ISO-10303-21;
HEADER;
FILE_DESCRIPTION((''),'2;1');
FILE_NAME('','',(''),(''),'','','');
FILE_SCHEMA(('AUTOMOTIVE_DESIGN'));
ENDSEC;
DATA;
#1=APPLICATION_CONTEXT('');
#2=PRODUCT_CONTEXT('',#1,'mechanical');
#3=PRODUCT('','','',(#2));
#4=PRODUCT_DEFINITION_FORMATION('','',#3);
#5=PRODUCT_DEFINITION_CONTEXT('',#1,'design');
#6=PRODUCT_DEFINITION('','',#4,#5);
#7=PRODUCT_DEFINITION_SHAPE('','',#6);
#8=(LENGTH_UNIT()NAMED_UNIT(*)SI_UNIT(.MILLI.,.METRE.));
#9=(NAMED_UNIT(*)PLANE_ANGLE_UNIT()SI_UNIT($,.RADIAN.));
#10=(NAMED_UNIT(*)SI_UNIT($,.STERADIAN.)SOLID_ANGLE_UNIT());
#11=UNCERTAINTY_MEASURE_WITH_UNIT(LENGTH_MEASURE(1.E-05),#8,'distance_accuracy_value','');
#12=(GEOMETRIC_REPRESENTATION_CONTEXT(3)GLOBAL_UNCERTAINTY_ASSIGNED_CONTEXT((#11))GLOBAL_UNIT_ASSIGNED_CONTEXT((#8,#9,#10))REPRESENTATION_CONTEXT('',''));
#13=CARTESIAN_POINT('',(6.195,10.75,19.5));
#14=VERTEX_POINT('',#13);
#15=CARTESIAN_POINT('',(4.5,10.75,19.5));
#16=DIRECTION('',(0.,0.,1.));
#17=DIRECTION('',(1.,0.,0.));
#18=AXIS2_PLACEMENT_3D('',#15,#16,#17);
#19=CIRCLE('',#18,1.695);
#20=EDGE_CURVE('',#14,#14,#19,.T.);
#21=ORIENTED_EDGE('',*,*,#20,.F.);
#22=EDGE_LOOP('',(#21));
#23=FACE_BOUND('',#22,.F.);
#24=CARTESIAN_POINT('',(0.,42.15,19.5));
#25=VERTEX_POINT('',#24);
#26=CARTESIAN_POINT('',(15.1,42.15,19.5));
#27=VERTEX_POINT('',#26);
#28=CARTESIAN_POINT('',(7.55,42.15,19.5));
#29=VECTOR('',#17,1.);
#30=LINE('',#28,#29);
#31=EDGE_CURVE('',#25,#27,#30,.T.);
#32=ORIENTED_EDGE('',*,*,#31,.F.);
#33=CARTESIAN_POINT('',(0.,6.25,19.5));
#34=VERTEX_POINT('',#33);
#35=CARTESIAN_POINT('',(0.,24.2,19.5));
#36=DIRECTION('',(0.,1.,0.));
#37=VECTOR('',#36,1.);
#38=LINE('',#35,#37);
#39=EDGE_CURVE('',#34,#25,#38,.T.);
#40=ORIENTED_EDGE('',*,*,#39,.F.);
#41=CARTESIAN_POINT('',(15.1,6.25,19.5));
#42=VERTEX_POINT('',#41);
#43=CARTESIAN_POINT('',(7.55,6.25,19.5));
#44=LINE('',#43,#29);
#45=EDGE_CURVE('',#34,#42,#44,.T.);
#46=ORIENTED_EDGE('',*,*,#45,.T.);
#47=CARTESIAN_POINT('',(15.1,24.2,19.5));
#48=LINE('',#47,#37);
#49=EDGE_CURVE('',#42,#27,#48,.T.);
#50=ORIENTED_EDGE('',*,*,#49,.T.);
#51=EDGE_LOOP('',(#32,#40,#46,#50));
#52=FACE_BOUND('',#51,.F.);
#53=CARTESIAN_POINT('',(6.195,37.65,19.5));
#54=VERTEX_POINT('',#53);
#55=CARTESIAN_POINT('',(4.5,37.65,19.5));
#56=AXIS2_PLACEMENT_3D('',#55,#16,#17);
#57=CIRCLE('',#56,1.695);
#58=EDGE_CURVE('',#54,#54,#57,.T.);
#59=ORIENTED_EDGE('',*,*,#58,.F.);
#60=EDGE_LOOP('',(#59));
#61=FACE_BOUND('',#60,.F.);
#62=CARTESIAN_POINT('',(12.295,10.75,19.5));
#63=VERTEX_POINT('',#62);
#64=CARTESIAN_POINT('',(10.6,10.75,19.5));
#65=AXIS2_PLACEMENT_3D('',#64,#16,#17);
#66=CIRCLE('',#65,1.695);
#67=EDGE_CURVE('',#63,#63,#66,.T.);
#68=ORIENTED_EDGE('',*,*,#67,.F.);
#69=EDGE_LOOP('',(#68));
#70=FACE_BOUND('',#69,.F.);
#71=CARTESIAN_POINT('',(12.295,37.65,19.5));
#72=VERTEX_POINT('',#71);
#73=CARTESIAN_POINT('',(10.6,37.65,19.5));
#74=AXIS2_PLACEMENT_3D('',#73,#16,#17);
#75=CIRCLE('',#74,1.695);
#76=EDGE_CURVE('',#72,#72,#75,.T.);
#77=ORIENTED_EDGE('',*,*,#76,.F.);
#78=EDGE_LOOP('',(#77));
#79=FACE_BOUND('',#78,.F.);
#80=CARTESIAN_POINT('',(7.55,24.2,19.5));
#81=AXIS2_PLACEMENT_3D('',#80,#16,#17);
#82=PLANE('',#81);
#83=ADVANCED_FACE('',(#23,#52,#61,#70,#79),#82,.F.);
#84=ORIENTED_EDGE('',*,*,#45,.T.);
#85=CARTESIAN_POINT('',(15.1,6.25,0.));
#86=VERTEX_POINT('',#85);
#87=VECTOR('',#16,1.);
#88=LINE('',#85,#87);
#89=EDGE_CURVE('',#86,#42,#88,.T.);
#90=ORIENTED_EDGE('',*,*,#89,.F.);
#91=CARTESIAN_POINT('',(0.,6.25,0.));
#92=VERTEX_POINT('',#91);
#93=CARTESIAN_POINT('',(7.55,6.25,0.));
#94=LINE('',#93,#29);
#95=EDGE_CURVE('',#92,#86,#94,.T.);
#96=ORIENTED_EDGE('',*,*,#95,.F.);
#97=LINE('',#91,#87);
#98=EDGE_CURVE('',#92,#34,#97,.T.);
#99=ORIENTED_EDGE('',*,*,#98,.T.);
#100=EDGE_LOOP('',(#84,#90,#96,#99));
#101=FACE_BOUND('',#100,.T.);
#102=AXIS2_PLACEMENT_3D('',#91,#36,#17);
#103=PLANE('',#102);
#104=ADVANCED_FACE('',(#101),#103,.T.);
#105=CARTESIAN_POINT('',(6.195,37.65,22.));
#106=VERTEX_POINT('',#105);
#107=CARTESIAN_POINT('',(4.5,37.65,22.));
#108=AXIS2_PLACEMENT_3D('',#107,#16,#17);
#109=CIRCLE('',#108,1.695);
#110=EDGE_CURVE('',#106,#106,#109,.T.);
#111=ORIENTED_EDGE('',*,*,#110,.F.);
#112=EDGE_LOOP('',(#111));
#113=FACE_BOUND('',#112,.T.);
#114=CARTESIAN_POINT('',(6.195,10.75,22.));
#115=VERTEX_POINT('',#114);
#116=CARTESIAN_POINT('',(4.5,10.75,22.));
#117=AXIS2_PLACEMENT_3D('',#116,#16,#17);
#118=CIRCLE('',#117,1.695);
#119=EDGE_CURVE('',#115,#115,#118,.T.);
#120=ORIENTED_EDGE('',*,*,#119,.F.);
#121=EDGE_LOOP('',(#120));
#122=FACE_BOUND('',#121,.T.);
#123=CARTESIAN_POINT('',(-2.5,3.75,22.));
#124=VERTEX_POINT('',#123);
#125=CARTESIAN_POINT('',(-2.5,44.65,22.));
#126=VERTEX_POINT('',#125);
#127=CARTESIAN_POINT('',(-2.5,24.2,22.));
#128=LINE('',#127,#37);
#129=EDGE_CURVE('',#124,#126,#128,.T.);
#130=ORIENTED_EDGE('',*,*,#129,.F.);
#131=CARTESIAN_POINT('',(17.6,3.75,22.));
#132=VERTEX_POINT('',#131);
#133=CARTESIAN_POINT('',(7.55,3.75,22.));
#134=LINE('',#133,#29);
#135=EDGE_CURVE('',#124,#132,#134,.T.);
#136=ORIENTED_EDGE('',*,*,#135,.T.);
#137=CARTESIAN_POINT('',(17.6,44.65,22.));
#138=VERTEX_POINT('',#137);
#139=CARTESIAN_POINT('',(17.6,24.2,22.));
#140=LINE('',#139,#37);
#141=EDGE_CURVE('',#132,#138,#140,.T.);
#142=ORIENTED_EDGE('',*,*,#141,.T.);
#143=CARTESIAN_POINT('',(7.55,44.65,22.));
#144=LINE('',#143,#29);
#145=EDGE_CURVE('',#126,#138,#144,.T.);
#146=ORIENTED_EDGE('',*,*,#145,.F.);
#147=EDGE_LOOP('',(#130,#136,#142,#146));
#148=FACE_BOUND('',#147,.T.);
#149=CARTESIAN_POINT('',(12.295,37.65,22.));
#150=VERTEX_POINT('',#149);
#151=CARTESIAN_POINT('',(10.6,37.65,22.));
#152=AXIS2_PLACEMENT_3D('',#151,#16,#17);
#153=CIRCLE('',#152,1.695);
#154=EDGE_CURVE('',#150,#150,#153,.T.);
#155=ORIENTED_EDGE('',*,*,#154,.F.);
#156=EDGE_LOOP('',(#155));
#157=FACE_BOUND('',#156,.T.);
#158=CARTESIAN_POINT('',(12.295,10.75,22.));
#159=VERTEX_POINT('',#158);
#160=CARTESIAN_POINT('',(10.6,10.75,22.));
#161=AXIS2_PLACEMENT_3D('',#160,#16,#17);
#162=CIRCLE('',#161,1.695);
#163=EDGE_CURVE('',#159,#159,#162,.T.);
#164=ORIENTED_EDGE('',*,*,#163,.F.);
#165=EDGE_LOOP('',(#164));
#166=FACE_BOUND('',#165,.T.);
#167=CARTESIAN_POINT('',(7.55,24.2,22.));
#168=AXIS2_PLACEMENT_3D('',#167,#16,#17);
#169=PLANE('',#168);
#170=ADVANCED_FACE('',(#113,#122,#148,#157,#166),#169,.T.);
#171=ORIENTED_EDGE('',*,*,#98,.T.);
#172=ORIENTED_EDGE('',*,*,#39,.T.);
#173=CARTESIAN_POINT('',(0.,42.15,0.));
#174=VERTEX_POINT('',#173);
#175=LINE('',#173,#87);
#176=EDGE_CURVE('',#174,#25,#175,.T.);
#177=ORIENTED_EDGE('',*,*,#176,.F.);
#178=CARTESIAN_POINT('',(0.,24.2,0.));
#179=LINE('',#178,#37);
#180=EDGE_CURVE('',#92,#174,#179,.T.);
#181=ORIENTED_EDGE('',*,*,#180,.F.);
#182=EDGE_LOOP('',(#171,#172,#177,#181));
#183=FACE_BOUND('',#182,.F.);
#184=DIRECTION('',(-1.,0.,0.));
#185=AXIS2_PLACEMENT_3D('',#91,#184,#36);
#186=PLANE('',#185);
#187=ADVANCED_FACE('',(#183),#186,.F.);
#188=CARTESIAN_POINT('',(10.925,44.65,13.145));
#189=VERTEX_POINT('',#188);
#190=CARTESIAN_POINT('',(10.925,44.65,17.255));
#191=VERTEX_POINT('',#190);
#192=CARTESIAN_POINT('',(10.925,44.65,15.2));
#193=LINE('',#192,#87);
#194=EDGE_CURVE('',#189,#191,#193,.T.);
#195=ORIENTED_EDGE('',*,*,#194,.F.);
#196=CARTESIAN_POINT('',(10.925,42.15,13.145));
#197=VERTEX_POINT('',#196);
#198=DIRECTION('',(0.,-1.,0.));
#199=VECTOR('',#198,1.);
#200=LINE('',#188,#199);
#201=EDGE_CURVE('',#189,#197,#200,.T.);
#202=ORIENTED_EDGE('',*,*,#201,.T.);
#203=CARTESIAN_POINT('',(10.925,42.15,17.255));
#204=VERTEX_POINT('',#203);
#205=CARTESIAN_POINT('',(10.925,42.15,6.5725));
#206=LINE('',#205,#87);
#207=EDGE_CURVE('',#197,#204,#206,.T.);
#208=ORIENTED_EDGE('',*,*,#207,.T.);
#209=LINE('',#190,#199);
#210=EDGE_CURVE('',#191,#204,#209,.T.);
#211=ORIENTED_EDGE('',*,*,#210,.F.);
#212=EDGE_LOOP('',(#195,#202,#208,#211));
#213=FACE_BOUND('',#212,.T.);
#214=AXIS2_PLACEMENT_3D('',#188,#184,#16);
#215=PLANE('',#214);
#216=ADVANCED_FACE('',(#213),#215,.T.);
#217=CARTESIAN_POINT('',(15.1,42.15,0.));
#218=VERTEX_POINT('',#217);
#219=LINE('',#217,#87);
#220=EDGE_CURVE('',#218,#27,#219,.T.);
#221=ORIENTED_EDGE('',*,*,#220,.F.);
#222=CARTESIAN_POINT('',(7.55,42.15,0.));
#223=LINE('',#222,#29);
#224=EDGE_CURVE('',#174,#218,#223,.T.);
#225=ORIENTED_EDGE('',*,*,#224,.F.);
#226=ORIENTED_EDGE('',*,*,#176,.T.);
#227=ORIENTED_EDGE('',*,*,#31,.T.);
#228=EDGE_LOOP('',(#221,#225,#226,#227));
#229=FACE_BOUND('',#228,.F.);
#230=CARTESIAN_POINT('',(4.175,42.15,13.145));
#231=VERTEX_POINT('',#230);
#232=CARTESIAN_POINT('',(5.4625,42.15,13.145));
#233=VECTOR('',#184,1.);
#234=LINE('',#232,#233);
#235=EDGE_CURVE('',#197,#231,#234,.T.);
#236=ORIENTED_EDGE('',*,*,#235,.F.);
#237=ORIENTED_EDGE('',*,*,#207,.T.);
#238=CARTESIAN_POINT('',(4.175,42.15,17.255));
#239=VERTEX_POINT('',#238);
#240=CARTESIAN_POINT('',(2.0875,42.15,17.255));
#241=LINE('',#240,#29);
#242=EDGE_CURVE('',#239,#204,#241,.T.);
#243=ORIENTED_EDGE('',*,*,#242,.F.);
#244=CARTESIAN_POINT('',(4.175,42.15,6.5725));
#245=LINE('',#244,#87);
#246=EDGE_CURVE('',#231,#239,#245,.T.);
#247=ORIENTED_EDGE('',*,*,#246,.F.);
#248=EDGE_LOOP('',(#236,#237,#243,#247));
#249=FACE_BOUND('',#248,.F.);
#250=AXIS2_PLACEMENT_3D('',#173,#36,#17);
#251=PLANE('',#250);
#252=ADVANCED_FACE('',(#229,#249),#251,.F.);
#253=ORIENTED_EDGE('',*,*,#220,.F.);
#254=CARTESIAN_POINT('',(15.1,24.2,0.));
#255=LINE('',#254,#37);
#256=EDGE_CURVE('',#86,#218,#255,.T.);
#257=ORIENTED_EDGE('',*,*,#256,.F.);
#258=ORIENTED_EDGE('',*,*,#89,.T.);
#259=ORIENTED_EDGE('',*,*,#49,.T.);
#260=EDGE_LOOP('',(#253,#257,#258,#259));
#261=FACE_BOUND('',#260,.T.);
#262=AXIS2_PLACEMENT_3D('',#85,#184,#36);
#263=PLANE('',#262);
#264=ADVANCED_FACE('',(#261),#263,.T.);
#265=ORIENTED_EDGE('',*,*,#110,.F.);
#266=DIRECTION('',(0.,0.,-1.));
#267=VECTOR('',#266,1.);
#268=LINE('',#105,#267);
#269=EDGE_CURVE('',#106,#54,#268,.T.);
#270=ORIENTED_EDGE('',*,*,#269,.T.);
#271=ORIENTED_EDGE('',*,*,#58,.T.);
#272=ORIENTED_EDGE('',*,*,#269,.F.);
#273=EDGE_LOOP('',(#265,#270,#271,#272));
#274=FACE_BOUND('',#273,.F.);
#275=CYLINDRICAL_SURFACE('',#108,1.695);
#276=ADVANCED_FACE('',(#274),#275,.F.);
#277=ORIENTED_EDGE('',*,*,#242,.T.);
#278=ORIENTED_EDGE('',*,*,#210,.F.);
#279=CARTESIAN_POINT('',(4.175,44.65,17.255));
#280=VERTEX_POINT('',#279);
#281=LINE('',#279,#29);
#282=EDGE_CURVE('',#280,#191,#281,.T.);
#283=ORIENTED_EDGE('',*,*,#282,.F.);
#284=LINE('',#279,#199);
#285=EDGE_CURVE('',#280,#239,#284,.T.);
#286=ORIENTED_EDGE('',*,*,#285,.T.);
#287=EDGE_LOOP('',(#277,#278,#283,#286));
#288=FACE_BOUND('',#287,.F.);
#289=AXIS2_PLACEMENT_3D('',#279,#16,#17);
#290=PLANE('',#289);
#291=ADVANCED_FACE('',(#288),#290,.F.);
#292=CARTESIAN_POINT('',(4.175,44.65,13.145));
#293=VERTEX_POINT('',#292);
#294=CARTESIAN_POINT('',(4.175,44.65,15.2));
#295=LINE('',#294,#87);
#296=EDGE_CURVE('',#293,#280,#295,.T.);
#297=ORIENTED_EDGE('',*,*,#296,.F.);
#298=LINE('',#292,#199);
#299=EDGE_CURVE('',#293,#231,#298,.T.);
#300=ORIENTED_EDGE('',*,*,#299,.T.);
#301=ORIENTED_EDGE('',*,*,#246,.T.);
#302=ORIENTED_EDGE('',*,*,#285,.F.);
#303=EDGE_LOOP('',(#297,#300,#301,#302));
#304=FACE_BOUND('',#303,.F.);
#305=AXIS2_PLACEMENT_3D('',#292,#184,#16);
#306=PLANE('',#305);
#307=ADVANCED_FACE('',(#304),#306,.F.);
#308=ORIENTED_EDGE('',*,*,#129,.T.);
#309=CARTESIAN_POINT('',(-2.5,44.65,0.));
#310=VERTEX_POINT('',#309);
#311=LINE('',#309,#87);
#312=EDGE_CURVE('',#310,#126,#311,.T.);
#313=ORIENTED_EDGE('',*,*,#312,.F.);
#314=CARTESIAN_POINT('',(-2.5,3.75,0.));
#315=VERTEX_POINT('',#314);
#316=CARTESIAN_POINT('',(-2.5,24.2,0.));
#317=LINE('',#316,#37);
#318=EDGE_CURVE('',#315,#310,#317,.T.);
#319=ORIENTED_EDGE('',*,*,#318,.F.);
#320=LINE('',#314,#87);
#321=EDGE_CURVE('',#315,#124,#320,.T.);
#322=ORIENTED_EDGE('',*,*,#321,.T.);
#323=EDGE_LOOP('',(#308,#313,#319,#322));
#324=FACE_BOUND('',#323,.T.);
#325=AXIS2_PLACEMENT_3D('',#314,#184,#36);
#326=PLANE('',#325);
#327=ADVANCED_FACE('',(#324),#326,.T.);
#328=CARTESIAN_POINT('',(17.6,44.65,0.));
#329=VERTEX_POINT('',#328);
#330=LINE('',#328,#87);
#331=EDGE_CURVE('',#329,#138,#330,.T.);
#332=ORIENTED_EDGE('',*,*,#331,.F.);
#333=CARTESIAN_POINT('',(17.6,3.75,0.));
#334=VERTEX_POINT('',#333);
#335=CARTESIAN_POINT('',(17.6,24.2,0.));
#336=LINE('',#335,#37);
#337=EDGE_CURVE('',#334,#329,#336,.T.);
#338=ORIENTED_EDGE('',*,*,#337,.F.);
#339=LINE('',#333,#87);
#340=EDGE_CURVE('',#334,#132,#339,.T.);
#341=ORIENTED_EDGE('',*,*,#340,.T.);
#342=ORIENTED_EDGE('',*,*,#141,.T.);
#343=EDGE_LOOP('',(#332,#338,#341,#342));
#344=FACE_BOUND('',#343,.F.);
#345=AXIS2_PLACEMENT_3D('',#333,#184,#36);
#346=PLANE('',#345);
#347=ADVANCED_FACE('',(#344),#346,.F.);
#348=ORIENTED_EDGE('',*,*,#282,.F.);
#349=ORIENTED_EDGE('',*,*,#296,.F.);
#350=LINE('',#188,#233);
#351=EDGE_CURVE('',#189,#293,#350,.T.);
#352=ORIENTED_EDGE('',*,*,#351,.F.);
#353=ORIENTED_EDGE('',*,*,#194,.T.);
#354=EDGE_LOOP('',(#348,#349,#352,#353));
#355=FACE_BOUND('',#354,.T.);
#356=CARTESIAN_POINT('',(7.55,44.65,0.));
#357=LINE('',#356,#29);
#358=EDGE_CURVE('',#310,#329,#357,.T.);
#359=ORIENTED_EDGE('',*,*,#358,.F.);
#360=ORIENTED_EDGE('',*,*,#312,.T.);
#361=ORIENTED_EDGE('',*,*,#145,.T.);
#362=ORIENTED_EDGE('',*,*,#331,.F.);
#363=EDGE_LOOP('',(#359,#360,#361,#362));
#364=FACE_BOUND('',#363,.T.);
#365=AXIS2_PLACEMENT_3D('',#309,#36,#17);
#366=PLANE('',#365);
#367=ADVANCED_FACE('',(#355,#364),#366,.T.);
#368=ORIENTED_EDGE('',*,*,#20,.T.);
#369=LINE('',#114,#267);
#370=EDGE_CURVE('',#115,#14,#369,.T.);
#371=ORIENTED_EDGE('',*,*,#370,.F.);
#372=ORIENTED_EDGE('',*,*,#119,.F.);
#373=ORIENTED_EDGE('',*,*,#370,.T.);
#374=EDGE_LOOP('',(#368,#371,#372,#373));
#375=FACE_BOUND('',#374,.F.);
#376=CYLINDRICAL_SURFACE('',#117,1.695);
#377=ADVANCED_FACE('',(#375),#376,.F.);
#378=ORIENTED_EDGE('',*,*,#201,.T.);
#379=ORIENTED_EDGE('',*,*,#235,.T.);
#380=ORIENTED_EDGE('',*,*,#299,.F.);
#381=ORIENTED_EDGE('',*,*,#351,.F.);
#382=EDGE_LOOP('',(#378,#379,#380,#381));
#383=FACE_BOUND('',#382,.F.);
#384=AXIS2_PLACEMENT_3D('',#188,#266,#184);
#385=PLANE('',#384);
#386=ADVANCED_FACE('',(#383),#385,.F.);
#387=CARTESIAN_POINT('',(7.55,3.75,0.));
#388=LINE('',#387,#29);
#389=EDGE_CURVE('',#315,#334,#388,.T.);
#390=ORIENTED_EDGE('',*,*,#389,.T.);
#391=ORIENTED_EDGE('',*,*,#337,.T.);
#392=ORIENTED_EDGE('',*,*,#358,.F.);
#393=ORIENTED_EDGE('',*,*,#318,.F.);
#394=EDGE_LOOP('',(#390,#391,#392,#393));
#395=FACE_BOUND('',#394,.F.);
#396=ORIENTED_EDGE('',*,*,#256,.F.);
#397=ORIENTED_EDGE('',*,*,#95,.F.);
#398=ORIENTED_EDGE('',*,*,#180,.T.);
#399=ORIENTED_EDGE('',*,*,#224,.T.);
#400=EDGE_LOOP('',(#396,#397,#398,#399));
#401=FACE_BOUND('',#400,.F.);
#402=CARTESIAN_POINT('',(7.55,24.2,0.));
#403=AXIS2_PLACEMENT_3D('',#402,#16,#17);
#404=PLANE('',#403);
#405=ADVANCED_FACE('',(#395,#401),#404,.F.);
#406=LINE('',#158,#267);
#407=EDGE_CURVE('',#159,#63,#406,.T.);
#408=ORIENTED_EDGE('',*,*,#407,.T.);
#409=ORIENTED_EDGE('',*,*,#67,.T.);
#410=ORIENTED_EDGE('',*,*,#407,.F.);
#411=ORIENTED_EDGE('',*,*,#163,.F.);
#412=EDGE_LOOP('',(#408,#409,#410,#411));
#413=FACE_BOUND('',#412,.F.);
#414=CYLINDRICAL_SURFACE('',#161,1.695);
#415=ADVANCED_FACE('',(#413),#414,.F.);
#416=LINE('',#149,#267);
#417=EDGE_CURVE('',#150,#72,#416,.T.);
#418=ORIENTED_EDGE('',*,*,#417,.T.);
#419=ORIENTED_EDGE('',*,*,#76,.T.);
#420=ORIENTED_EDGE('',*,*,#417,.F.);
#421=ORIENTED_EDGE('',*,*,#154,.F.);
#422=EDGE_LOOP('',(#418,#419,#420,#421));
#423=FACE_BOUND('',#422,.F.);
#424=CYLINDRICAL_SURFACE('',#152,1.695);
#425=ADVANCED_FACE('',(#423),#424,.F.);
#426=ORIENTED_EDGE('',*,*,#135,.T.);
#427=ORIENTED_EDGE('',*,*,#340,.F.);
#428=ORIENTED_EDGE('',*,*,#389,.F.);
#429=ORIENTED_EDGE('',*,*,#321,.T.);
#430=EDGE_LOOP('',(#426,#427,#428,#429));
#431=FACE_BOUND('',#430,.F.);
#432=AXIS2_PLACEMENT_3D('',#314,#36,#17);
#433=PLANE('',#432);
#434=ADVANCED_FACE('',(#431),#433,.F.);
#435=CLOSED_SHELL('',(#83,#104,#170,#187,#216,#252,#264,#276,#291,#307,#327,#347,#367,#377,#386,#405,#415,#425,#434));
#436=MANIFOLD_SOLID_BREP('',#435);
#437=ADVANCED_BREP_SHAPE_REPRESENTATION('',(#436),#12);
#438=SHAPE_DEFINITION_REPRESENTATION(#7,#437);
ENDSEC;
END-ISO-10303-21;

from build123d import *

# Parameters (mm, degrees)
F0_W     = 20.1
F0_H     = 40.9
F0_W_2   = 15.1
F0_H_2   = 35.9
F1_DEPTH = 22
F2_DEPTH = 19.5
F4_R     = 1.695
F5_DEPTH = 25
F7_W     = 3.375
F7_H     = 4.11
F8_DEPTH = 25


with BuildPart() as f1:
    # F0 (on Top) → F1 (new body)
    with BuildSketch(Plane.XY):
        with Locations((7.55, 24.2)):
            Rectangle(F0_W, F0_H)
        with Locations((7.55, 24.2)):
            Rectangle(F0_W_2, F0_H_2, mode=Mode.SUBTRACT)
        with Locations((7.55, 24.2)):
            Rectangle(F0_W_2, F0_H_2)
    extrude(amount=F1_DEPTH)

    # F0 (on Top) → F2 (cut)
    with BuildSketch(Plane.XY):
        with Locations((7.55, 24.2)):
            Rectangle(F0_W_2, F0_H_2)
    extrude(amount=F2_DEPTH, mode=Mode.SUBTRACT)

    # F4 (on offset) → F5 (cut)
    with BuildSketch(Plane.XY.offset(22)):
        with Locations((4.5, 37.65)):
            Circle(F4_R)
        with Locations((10.6, 37.65)):
            Circle(F4_R)
        with Locations((4.5, 10.75)):
            Circle(F4_R)
        with Locations((10.6, 10.75)):
            Circle(F4_R)
    extrude(amount=-F5_DEPTH, mode=Mode.SUBTRACT)

    # F7 (on offset) → F8 (cut)
    with BuildSketch(Plane(origin=(0, 44.65, 0), x_dir=(-1, 0, 0), z_dir=(0, 1, 0))):
        with Locations((-5.8625, 15.2)):
            Rectangle(F7_W, F7_H)
        with Locations((-9.2375, 15.2)):
            Rectangle(F7_W, F7_H)
    extrude(amount=-F8_DEPTH, mode=Mode.SUBTRACT)


solid = f1.part
